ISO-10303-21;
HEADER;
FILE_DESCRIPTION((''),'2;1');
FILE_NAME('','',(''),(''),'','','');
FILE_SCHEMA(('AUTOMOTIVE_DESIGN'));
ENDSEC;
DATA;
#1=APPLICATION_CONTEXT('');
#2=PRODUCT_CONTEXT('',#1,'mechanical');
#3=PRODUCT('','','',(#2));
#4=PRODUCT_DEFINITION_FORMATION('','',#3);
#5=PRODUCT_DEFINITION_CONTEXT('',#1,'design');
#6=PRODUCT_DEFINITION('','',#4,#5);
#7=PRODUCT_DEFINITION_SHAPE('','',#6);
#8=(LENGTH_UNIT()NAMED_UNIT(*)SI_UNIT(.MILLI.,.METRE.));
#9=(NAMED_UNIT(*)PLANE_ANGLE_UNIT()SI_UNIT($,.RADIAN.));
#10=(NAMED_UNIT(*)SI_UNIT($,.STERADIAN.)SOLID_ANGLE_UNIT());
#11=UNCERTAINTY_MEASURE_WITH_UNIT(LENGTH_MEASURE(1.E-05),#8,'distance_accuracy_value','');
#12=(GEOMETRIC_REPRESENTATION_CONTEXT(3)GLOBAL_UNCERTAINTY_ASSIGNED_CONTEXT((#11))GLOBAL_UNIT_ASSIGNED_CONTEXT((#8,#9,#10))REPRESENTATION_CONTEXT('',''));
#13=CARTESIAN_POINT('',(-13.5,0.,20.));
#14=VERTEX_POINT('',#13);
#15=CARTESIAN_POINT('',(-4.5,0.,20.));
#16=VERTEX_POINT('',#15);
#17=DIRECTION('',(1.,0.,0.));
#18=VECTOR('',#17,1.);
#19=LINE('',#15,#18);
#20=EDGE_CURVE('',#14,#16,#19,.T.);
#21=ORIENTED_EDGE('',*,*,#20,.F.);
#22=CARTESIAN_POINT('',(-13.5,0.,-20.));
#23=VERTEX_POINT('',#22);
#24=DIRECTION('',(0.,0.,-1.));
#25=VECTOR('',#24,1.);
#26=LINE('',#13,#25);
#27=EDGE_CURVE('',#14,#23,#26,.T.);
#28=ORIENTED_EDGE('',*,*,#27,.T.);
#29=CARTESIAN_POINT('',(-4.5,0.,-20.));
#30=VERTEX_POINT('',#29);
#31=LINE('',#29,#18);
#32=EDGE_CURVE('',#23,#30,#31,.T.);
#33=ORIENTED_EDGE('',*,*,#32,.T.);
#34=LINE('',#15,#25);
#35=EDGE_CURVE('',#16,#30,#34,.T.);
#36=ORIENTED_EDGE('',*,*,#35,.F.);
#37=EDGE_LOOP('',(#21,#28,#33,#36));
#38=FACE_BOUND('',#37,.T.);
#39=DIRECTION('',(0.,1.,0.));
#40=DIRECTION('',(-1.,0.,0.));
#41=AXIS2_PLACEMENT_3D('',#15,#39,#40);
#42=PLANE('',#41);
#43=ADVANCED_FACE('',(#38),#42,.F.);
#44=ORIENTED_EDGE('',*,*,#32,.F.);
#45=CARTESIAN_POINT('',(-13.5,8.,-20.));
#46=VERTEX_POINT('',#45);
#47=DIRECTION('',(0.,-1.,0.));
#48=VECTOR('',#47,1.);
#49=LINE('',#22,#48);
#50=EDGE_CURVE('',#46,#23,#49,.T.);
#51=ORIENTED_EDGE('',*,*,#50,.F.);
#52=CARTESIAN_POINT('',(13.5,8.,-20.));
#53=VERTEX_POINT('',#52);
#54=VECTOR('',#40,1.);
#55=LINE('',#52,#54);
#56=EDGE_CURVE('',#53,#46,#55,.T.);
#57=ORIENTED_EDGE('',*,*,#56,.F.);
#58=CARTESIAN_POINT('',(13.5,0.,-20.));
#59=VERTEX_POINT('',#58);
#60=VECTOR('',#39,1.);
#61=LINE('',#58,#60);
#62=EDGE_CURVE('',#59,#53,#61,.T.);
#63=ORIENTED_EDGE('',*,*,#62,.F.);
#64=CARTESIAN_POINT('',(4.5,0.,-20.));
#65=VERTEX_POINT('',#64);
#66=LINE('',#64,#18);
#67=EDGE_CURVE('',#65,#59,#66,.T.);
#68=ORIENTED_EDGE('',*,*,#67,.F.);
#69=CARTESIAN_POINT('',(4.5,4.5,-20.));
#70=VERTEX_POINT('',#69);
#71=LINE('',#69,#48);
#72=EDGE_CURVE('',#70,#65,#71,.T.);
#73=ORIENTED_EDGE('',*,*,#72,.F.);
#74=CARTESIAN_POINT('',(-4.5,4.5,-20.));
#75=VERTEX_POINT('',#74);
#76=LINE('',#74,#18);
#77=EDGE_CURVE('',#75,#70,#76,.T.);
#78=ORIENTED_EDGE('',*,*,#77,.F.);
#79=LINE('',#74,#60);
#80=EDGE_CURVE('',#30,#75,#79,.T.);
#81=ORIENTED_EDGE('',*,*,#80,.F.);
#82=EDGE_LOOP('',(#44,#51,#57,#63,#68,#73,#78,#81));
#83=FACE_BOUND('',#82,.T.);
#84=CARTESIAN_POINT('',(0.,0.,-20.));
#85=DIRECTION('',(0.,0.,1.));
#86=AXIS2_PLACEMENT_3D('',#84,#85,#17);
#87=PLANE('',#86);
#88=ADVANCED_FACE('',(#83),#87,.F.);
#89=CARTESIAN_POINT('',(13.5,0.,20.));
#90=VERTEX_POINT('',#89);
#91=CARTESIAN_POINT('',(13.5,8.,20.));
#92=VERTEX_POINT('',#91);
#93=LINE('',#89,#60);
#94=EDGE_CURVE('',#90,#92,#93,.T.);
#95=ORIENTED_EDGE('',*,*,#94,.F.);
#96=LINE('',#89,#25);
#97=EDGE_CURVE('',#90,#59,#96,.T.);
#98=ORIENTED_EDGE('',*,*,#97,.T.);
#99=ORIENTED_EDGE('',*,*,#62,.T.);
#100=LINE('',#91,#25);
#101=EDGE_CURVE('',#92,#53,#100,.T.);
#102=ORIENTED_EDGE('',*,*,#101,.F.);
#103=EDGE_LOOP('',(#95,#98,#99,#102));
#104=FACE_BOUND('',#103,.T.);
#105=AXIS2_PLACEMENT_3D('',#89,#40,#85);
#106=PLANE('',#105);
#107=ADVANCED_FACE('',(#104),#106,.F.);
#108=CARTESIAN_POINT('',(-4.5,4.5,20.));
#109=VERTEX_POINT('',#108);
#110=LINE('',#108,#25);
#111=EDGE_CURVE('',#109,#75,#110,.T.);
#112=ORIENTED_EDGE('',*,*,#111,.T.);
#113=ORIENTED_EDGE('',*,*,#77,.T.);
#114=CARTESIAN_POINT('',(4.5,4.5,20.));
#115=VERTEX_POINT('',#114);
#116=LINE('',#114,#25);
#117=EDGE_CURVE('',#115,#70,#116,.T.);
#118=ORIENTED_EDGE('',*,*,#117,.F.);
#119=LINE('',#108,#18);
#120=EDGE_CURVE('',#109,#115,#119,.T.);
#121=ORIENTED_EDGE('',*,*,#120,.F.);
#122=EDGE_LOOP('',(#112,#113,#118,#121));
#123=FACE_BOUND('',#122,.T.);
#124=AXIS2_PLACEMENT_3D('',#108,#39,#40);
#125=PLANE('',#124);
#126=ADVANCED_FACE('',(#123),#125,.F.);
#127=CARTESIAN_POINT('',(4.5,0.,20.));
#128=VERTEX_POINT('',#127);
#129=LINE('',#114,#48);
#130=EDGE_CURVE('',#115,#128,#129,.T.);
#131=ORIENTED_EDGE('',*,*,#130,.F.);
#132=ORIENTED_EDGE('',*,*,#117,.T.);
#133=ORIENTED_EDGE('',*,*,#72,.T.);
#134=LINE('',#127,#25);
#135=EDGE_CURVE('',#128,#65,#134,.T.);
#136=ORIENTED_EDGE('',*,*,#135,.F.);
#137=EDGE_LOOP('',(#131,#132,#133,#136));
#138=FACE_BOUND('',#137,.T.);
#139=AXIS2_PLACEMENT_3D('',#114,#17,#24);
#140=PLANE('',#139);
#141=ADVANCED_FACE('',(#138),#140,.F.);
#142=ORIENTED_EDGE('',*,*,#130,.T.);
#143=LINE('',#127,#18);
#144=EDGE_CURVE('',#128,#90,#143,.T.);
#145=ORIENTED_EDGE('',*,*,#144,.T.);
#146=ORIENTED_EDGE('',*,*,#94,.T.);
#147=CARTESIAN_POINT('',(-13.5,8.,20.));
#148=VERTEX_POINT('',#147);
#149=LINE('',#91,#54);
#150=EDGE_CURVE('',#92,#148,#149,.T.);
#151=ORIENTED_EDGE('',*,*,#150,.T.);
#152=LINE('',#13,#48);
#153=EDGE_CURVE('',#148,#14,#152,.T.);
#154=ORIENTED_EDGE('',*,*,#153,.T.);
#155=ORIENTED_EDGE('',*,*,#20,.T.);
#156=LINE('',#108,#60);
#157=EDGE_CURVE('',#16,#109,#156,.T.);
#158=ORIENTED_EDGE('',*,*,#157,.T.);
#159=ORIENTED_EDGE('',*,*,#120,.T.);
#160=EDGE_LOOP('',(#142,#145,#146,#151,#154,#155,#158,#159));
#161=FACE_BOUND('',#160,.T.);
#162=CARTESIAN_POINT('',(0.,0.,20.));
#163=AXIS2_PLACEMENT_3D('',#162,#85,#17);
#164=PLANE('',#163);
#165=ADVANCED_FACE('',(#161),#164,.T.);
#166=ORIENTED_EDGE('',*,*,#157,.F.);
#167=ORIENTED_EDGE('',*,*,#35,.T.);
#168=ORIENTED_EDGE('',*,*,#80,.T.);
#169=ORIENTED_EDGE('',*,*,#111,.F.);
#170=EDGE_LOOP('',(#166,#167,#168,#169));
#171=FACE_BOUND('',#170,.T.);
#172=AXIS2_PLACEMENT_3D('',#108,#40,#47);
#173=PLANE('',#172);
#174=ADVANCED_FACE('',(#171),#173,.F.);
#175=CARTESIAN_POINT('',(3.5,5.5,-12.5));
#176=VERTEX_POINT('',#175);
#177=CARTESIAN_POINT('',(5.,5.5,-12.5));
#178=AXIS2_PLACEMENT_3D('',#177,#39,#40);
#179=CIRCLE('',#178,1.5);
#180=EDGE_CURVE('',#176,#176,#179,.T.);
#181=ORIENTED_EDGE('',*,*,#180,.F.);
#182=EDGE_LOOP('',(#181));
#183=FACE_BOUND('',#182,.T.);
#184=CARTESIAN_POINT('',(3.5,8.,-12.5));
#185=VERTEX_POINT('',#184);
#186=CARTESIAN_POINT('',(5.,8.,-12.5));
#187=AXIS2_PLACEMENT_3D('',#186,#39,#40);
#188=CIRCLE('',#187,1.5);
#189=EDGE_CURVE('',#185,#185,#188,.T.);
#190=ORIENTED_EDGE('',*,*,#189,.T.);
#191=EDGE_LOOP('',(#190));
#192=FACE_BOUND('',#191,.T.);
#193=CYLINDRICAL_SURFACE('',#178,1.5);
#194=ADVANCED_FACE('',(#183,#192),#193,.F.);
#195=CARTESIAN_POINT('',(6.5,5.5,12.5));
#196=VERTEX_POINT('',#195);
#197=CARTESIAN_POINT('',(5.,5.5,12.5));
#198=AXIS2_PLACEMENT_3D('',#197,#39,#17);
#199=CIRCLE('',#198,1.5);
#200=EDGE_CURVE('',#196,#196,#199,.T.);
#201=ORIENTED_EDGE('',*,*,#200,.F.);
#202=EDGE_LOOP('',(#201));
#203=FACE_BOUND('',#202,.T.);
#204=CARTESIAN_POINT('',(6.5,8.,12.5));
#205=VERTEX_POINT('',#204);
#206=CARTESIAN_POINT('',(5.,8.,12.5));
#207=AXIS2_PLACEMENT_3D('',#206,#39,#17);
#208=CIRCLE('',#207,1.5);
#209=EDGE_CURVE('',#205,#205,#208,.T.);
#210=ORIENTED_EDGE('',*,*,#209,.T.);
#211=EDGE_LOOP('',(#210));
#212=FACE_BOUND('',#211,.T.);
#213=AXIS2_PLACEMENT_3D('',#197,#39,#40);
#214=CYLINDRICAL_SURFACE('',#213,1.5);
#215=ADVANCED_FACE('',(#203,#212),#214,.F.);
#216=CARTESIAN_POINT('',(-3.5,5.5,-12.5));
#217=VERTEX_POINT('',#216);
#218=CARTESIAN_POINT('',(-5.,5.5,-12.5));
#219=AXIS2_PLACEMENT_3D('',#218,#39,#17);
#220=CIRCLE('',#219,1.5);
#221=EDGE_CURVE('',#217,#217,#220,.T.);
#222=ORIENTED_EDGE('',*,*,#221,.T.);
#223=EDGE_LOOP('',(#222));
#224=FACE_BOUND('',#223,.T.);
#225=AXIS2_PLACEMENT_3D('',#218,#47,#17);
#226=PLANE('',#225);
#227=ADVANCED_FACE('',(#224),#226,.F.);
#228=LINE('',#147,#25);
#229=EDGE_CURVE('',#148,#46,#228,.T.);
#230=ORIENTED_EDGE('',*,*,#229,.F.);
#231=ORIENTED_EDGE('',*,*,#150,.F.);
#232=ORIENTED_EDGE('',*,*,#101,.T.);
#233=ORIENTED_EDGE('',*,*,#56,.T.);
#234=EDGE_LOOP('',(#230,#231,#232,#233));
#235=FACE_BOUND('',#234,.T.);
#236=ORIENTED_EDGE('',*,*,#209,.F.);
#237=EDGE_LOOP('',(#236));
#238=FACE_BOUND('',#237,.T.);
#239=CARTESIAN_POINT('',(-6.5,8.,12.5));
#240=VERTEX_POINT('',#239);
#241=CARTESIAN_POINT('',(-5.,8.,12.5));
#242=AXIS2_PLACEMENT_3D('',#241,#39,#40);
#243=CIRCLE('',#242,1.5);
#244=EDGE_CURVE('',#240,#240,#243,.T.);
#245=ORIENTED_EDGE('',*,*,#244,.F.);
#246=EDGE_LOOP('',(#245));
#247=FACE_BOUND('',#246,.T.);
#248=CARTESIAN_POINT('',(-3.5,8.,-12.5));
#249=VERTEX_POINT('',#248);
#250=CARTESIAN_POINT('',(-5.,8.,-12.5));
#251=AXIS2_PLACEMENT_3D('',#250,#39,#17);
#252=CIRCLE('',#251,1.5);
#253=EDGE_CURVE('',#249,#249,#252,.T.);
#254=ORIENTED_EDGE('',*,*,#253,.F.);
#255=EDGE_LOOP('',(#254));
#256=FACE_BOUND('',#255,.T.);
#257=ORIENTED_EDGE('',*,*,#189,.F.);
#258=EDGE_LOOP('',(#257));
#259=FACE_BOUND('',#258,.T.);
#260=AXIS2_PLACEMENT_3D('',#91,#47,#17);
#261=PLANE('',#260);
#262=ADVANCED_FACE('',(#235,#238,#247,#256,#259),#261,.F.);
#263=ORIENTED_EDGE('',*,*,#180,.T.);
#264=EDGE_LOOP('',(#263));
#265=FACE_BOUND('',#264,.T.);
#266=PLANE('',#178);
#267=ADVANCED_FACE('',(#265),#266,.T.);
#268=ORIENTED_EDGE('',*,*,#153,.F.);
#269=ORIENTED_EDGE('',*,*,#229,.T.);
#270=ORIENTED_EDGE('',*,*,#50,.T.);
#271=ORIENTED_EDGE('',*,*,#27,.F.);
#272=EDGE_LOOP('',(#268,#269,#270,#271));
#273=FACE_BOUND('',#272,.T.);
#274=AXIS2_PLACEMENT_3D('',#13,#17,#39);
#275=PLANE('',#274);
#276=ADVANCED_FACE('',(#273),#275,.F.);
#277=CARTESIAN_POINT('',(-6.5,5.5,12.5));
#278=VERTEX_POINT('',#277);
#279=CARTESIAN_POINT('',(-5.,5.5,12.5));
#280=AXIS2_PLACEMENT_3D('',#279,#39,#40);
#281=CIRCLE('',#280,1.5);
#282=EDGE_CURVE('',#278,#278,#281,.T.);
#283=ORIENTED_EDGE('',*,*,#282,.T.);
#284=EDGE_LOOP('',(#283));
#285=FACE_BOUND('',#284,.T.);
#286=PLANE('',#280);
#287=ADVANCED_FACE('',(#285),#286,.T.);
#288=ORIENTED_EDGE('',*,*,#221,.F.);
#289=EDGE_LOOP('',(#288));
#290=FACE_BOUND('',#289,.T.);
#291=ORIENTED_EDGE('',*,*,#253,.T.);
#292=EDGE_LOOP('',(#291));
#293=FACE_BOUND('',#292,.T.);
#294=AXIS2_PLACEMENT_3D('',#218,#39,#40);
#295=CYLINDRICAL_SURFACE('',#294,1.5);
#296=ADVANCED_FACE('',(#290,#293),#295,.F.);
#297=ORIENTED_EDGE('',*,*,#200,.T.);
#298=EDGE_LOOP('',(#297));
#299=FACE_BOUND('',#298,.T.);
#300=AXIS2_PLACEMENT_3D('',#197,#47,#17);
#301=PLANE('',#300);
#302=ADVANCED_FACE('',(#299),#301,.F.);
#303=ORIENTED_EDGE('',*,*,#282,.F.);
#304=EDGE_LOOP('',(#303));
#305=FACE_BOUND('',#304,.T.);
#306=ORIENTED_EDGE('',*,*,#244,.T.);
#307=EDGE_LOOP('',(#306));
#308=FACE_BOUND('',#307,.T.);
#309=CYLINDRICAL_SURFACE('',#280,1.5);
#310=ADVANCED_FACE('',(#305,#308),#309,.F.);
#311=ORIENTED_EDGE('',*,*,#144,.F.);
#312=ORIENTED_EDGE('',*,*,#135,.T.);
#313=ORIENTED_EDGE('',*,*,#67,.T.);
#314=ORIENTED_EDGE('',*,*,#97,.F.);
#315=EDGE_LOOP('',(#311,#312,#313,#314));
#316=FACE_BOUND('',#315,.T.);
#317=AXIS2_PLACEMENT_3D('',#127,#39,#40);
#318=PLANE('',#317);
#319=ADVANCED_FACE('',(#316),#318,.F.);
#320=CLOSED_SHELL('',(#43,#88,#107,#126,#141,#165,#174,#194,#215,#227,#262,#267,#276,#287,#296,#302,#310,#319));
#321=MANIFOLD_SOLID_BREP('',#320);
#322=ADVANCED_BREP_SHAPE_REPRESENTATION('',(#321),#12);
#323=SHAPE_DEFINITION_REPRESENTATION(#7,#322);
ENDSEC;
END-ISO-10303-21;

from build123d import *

# Parameters (mm, degrees)
EXTRUDE_1_DEPTH     = 20
SKETCH_2_R          = 1.5
CUT_EXTRUDE_1_DEPTH = 2.5


with BuildPart() as part:
    # 草图1 → 凸台-拉伸1 (new, symmetric)
    with BuildSketch(Plane.XY):
        Polygon((-4.5, 4.5), (4.5, 4.5), (4.5, 0), (13.5, 0), (13.5, 8), (-13.5, 8), (-13.5, 0), (-4.5, 0), align=None)
    extrude(amount=EXTRUDE_1_DEPTH, both=True)

    # 草图2 → 切除-拉伸1 (cut)
    with BuildSketch(Plane(origin=(0, 8, 0), x_dir=(1, 0, 0), z_dir=(0, 1, 0))):
        with Locations(Location((5, 12.5, 0), (0, 0, 180))):
            Circle(SKETCH_2_R)
        with Locations((-5, 12.5)):
            Circle(SKETCH_2_R)
        with Locations(Location((-5, -12.5, 0), (0, 0, 180))):
            Circle(SKETCH_2_R)
        with Locations((5, -12.5)):
            Circle(SKETCH_2_R)
    extrude(amount=-CUT_EXTRUDE_1_DEPTH, mode=Mode.SUBTRACT)


solid = part.part
